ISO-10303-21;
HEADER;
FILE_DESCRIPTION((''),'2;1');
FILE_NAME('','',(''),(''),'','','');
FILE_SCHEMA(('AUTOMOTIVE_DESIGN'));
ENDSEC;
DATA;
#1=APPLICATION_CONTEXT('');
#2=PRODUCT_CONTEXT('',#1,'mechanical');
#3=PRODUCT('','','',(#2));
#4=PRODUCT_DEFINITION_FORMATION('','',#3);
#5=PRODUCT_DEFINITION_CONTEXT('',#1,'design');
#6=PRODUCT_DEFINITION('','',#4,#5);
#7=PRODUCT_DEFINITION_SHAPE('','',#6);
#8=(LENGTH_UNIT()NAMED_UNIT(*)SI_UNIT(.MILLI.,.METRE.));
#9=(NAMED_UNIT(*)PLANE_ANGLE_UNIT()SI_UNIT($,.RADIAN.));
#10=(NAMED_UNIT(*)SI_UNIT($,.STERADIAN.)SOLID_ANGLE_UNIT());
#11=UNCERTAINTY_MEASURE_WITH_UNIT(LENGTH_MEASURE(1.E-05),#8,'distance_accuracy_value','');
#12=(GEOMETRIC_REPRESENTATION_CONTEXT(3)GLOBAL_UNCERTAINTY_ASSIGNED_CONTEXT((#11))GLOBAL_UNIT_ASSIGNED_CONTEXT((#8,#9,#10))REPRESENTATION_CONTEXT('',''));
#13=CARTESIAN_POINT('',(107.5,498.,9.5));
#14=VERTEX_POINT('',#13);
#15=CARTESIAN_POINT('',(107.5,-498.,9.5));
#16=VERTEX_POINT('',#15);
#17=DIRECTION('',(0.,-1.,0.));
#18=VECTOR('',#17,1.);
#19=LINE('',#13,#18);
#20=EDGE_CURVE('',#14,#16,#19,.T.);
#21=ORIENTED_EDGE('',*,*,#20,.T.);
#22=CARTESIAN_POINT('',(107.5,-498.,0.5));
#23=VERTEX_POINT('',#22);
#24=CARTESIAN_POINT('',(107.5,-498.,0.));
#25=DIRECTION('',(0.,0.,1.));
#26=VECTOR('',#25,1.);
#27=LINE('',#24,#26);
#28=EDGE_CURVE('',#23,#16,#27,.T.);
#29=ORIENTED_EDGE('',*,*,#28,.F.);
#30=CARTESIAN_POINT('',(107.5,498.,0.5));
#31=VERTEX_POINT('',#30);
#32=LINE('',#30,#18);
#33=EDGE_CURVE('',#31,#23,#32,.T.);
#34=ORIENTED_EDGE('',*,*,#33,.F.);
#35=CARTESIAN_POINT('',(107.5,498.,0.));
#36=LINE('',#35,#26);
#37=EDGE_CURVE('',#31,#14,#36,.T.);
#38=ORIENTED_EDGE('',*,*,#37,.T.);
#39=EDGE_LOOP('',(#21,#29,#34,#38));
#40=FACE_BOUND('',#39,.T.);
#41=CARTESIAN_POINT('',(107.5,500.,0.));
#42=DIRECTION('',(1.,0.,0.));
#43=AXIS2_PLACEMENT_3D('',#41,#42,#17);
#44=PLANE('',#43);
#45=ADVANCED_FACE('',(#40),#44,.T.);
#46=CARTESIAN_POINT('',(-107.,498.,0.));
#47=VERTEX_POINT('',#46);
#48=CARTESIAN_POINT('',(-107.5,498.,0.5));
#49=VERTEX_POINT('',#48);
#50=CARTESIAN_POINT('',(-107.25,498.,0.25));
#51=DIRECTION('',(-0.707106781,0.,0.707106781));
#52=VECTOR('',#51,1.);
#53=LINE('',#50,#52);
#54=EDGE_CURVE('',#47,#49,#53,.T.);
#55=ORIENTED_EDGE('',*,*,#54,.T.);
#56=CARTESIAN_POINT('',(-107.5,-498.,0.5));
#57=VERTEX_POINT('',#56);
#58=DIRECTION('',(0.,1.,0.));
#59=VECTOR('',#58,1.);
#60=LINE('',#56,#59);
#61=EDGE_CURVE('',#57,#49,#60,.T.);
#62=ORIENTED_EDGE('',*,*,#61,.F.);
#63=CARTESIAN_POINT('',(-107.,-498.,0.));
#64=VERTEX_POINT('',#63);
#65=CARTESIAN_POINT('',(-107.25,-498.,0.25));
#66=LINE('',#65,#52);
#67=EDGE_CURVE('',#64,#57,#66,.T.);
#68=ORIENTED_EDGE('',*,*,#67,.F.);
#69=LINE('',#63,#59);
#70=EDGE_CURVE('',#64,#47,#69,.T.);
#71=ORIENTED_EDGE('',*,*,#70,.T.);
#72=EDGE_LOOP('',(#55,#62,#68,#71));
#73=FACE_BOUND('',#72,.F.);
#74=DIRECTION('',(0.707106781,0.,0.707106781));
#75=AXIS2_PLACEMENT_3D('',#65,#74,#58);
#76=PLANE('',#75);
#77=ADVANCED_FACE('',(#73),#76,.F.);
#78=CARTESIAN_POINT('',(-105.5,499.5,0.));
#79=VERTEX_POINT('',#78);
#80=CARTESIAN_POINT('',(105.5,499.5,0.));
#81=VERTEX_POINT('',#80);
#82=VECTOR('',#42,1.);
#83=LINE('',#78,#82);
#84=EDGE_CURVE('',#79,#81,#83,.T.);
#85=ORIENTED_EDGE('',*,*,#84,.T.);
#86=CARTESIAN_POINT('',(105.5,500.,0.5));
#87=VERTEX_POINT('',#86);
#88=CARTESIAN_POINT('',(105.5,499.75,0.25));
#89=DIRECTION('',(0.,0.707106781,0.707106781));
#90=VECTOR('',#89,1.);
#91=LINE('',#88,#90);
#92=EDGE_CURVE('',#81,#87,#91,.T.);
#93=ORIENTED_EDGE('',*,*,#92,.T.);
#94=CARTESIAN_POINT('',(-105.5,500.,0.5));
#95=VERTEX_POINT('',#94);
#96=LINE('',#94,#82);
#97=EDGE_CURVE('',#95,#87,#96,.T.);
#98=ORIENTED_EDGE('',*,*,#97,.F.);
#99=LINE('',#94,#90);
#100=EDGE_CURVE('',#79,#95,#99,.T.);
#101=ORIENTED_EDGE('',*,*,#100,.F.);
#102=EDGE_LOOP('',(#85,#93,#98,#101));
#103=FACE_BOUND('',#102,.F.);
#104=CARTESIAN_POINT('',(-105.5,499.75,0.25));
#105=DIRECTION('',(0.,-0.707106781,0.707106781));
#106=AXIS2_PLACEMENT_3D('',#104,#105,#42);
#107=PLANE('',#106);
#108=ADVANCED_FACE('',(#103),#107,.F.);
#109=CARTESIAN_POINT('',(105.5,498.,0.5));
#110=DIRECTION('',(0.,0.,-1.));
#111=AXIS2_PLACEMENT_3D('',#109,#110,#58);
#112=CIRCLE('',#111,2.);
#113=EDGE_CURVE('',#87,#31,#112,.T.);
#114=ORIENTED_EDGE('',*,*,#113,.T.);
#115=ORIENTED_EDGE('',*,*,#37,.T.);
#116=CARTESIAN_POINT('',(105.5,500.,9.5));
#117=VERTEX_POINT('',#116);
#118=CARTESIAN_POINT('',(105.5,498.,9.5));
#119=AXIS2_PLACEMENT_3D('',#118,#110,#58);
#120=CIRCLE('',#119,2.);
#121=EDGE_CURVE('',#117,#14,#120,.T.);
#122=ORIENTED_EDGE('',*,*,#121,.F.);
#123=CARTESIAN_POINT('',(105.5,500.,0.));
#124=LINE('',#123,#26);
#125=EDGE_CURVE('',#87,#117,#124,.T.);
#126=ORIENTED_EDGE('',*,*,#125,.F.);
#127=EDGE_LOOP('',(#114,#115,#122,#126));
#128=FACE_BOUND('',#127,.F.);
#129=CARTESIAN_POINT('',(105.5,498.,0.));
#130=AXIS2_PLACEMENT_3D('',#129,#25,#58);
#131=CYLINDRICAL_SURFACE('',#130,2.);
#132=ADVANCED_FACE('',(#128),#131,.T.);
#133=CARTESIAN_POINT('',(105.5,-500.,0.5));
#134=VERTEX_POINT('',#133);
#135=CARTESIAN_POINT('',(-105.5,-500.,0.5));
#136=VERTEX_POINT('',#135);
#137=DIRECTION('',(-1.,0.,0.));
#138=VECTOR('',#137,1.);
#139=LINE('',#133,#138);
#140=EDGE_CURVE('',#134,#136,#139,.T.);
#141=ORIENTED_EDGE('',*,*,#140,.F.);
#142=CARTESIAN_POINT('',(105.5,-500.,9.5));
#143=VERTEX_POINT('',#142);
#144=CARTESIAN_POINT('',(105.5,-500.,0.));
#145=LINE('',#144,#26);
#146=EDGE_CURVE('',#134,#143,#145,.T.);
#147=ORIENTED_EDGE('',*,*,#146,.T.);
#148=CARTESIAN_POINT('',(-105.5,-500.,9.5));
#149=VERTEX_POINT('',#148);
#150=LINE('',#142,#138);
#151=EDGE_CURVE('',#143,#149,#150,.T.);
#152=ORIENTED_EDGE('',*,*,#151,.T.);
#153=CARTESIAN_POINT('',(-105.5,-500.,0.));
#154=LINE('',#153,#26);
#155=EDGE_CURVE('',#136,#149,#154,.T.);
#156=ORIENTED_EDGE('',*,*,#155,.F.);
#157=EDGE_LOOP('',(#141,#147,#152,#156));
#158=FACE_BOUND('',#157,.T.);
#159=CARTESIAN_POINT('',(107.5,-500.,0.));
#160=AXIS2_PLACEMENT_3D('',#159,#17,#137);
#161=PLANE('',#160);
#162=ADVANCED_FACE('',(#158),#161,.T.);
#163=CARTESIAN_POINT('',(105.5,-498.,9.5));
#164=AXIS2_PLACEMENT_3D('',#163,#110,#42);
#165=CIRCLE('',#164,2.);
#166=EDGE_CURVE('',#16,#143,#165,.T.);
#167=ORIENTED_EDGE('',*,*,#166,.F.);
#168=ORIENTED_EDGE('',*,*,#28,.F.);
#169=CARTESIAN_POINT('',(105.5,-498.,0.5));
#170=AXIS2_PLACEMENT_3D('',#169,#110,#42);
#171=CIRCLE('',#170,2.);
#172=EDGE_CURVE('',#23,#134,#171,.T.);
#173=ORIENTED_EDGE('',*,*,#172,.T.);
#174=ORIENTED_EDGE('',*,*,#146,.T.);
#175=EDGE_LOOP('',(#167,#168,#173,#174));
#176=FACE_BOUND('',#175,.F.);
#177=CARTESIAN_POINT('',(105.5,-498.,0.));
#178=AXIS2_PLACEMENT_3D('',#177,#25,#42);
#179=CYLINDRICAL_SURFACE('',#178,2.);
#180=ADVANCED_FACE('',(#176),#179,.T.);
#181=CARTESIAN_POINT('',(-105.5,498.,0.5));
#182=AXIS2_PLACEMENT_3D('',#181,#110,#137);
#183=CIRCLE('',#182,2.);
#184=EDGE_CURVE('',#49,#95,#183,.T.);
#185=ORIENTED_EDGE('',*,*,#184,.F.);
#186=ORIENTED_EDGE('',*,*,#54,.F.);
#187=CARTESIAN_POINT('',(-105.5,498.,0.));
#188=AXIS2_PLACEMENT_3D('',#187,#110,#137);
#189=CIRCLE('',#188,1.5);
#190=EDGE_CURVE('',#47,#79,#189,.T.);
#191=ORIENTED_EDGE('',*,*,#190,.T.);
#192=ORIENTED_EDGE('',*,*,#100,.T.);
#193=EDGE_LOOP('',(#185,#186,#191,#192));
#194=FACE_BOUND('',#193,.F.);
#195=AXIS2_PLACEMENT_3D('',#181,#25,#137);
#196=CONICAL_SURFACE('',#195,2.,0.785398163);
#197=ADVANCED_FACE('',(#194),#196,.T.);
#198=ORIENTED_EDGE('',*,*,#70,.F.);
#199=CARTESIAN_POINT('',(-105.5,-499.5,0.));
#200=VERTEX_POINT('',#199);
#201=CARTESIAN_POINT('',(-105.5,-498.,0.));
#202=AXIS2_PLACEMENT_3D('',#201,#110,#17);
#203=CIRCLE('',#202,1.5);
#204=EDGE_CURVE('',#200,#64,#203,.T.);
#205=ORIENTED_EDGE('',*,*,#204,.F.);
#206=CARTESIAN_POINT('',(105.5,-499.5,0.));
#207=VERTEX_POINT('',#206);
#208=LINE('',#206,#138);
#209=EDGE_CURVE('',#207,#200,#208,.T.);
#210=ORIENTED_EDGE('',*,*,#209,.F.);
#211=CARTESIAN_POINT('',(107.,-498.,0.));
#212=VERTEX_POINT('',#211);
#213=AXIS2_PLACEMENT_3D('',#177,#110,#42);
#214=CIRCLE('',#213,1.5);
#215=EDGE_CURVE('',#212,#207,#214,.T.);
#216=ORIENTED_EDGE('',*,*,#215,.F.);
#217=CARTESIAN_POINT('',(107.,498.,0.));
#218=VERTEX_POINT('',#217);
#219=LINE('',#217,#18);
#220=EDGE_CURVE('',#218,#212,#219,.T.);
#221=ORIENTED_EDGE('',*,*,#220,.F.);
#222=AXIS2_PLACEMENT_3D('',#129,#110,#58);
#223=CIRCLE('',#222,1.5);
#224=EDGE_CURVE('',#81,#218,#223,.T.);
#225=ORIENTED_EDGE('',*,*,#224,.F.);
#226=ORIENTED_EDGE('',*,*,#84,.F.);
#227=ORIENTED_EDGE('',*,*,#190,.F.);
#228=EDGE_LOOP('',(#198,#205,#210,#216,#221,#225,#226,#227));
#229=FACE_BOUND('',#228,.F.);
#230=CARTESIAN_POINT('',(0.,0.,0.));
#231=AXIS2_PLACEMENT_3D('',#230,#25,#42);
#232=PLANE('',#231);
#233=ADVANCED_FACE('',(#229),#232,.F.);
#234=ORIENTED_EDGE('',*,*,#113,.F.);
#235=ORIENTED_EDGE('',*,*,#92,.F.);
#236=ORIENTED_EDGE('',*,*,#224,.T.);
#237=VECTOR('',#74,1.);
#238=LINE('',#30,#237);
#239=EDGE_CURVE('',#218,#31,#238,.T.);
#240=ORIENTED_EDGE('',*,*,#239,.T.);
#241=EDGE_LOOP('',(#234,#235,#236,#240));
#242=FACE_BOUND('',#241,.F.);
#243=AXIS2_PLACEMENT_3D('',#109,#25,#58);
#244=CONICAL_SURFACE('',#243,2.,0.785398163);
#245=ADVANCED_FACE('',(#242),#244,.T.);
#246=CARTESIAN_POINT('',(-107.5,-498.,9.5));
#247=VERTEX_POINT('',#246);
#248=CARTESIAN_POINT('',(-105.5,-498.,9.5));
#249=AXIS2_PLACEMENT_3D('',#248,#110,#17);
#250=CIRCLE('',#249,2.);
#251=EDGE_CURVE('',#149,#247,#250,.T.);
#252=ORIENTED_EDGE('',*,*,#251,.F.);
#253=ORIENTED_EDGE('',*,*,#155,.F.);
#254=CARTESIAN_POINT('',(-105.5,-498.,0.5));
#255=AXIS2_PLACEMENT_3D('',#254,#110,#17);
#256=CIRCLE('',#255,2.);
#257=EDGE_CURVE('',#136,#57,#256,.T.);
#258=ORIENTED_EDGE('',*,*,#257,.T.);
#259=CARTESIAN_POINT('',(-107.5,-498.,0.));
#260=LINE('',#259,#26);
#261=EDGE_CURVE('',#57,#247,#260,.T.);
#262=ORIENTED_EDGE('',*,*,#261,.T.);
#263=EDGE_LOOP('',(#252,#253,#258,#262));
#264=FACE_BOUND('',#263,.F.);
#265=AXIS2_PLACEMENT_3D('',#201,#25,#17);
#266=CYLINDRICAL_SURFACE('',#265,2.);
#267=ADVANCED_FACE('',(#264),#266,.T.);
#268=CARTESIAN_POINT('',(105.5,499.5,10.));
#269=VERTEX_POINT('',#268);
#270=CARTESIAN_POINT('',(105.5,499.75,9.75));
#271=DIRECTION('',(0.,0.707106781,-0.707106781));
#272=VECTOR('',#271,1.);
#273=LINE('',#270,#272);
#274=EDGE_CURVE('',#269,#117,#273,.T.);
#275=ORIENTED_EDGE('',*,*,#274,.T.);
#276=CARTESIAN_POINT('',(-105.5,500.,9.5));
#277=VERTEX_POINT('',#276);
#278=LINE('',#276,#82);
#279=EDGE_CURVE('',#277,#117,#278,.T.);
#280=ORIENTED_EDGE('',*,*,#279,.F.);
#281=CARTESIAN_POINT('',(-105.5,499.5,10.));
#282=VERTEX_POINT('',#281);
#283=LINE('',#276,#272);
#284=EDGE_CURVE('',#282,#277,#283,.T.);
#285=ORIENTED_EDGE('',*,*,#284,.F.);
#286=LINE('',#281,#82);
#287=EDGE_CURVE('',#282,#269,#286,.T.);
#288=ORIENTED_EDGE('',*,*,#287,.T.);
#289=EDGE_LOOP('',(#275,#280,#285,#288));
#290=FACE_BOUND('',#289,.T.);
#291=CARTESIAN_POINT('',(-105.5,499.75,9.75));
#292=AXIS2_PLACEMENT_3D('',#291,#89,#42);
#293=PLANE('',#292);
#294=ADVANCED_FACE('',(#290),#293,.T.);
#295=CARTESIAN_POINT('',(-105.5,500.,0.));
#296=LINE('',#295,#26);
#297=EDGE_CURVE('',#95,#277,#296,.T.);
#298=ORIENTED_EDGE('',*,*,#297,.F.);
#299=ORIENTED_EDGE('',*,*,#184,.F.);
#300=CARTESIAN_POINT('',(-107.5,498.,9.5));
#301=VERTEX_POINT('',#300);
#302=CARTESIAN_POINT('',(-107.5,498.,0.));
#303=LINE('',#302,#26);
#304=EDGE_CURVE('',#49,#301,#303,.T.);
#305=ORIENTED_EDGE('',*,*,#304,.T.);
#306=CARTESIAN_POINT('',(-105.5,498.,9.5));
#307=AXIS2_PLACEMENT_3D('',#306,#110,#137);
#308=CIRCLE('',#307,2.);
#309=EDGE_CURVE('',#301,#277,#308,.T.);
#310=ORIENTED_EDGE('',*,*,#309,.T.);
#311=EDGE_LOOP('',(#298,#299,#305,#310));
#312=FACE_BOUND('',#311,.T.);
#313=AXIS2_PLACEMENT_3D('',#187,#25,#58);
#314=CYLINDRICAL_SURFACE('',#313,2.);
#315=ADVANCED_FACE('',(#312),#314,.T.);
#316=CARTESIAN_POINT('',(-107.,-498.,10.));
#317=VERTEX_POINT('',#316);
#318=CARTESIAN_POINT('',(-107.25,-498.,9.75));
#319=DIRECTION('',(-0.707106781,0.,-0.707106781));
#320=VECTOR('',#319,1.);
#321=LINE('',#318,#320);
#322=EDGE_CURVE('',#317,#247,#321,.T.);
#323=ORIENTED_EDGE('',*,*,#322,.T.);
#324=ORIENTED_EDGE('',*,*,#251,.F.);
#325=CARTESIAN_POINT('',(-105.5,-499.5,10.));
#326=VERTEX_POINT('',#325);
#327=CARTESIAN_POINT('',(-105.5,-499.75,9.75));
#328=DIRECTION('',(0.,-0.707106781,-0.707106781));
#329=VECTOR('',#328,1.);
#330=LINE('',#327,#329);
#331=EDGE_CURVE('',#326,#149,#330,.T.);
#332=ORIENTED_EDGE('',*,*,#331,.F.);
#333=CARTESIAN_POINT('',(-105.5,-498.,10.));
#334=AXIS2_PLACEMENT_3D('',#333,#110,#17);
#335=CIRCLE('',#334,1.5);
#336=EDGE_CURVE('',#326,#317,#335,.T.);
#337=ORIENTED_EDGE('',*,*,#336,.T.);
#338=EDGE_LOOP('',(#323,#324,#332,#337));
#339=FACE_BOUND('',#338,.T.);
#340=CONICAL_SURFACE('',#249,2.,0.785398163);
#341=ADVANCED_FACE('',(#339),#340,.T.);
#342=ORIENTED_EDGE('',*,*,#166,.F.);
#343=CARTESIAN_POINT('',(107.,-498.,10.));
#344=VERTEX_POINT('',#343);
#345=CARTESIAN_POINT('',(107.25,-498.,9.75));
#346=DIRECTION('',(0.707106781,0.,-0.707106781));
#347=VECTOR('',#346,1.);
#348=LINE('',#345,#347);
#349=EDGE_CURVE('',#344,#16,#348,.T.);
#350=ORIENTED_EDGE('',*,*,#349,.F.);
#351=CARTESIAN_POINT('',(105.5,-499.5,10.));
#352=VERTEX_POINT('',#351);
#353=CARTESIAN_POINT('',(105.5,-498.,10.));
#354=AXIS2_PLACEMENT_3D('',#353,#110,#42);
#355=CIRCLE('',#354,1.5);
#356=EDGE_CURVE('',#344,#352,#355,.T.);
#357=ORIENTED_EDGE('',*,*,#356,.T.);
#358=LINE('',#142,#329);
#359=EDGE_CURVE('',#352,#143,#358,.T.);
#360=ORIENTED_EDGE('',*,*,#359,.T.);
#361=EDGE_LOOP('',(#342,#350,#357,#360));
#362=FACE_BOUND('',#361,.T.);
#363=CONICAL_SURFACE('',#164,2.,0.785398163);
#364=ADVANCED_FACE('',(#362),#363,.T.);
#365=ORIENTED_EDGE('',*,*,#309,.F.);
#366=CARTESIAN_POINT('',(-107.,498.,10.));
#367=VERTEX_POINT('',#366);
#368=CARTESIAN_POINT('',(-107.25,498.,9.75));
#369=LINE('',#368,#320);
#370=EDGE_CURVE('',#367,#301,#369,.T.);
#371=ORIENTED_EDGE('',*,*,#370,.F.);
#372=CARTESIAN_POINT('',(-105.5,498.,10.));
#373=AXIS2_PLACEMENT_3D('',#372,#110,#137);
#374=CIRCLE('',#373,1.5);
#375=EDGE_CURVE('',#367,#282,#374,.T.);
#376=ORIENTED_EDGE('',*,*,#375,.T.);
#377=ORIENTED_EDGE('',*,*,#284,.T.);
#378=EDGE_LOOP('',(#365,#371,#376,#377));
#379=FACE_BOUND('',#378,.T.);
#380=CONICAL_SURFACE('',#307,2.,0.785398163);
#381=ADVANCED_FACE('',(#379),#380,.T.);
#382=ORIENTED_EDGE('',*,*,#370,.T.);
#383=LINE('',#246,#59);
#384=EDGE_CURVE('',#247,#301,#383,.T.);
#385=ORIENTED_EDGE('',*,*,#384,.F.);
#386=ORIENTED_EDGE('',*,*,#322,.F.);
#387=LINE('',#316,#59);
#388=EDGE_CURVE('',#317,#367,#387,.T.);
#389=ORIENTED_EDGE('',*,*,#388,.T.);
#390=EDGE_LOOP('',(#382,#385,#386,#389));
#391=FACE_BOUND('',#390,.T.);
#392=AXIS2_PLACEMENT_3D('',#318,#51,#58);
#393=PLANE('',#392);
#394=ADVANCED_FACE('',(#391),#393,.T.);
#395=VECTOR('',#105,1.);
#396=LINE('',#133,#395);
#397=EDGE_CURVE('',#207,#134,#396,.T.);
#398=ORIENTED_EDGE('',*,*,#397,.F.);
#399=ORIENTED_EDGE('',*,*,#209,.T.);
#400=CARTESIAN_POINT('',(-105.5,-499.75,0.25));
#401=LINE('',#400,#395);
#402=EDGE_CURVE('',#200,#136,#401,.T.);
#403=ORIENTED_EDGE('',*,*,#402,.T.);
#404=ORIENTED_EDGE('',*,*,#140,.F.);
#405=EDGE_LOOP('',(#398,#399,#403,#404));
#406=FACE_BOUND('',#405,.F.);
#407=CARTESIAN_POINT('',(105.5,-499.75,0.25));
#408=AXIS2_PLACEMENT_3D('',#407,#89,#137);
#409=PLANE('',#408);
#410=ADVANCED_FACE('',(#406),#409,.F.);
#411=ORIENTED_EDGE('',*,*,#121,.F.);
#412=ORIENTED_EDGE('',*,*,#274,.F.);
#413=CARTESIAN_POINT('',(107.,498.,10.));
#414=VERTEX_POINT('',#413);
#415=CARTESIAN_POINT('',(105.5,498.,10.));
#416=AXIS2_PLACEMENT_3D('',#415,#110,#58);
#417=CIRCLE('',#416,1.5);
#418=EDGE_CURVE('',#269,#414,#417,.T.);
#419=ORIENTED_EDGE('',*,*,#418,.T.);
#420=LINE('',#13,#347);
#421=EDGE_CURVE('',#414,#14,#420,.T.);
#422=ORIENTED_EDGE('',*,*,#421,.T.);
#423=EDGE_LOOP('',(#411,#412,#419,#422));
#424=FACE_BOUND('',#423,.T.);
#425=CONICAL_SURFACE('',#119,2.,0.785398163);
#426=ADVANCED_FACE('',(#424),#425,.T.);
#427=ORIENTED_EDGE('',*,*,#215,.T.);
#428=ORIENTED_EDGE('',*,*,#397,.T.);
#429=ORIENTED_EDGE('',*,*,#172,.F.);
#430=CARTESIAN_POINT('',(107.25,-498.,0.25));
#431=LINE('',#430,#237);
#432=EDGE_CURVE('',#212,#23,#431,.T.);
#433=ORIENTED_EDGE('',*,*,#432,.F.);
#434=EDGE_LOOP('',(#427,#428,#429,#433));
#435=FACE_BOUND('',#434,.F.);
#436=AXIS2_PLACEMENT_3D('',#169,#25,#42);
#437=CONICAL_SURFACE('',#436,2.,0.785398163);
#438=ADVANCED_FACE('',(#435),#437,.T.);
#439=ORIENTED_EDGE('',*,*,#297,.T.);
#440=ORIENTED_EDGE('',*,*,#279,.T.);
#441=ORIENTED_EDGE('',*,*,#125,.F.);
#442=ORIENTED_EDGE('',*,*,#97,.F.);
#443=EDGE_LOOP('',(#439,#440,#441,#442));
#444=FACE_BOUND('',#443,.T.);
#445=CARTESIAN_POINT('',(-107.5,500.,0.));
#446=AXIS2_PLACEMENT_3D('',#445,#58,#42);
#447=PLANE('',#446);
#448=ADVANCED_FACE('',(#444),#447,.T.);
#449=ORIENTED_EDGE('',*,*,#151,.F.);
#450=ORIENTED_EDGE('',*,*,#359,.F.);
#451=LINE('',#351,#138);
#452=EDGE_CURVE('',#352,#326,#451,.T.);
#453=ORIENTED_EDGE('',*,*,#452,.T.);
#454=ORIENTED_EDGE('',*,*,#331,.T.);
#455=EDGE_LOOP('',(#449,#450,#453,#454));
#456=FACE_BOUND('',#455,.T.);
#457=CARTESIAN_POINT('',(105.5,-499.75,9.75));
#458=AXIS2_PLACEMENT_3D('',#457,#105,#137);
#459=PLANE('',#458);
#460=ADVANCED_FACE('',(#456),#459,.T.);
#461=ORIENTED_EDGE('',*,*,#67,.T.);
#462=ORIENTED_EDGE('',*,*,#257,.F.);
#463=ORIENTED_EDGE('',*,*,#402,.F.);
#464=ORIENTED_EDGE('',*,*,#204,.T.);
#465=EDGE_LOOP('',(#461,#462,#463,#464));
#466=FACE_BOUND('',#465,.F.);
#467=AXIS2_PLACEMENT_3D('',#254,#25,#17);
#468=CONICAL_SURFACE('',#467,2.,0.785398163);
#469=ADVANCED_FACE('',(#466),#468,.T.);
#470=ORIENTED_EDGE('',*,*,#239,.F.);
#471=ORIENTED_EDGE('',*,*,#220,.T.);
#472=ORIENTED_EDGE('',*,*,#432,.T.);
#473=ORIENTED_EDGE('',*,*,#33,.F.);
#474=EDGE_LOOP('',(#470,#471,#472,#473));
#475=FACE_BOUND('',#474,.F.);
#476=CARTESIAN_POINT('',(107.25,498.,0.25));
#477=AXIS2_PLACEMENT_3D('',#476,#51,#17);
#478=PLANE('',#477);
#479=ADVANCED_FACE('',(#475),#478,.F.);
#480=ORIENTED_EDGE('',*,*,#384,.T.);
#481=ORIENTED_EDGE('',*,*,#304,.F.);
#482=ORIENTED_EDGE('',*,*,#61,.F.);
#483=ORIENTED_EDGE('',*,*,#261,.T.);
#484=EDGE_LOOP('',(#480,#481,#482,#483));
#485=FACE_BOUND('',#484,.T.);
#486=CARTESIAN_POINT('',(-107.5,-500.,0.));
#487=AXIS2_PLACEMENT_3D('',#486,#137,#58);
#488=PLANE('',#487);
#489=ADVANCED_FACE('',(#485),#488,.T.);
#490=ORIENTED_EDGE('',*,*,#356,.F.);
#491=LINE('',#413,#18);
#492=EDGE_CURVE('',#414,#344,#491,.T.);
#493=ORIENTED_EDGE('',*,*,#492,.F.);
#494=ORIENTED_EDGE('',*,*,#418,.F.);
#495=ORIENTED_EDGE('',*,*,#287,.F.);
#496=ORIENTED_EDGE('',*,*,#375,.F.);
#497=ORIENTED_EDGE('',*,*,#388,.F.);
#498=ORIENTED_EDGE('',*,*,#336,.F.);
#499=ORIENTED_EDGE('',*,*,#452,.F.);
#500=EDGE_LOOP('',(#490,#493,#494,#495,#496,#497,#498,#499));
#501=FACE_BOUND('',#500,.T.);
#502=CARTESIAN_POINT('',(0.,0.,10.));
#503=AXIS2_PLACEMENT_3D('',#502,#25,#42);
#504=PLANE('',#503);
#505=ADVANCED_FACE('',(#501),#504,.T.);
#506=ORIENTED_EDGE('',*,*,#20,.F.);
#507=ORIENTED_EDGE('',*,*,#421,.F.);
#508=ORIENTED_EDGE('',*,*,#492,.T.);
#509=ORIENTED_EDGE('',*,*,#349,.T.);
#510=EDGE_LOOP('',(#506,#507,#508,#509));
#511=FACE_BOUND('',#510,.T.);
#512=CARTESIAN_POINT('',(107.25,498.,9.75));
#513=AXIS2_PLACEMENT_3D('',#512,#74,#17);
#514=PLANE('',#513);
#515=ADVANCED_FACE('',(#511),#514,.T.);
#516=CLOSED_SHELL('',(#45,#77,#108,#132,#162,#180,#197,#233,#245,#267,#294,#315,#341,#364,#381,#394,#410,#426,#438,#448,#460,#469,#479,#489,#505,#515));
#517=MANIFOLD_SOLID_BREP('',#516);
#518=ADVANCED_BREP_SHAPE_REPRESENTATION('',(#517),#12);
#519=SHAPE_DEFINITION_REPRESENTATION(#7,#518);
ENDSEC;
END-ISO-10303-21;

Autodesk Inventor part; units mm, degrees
ref_plane "YZ Plane" through (0, 0, 0) normal (1, 0, 0) x (0, 1, 0)
ref_plane "XZ Plane" through (0, 0, 0) normal (0, 1, 0) x (-1, 0, 0)
ref_plane "XY Plane" through (0, 0, 0) normal (0, 0, 1) x (1, 0, 0)
sketch "Sketch1" plane through (0, 0, 0) normal (0, 0, 1) x (1, 0, 0)
  line L0 (-107.5, 500) -> (107.5, 500)
  line L1 (107.5, 500) -> (107.5, -500)
  line L2 (107.5, -500) -> (-107.5, -500)
  line L3 (-107.5, -500) -> (-107.5, 500)
  point P0 (0, 0)
  point P1 (0, 500)
  point P2 (107.5, 0)
  dimension "d0" = 215
  dimension "d1" = 1000
extrude "Extrusion1" add sketch "Sketch1" along normal blind 10
fillet "Fillet1" radius 2 4 edges at (107.5, 500, 5) (-107.5, 500, 5) (107.5, -500, 5) (-107.5, -500, 5)
chamfer "Chamfer1" distance 0.5 angle 45 16 edges at (-107.5, 0, 10) (-106.9142, -499.4142, 10) (0, -500, 10) (106.9142, -499.4142, 10) (107.5, 0, 10) (106.9142, 499.4142, 10) (0, 500, 10) (-106.9142, 499.4142, 10) (-107.5, 0, 0) (-106.9142, -499.4142, 0) (0, -500, 0) (106.9142, -499.4142, 0) (107.5, 0, 0) (106.9142, 499.4142, 0) (0, 500, 0) (-106.9142, 499.4142, 0)
properties part number "base-plate-for-bellows" material "Aluminum 6061"
